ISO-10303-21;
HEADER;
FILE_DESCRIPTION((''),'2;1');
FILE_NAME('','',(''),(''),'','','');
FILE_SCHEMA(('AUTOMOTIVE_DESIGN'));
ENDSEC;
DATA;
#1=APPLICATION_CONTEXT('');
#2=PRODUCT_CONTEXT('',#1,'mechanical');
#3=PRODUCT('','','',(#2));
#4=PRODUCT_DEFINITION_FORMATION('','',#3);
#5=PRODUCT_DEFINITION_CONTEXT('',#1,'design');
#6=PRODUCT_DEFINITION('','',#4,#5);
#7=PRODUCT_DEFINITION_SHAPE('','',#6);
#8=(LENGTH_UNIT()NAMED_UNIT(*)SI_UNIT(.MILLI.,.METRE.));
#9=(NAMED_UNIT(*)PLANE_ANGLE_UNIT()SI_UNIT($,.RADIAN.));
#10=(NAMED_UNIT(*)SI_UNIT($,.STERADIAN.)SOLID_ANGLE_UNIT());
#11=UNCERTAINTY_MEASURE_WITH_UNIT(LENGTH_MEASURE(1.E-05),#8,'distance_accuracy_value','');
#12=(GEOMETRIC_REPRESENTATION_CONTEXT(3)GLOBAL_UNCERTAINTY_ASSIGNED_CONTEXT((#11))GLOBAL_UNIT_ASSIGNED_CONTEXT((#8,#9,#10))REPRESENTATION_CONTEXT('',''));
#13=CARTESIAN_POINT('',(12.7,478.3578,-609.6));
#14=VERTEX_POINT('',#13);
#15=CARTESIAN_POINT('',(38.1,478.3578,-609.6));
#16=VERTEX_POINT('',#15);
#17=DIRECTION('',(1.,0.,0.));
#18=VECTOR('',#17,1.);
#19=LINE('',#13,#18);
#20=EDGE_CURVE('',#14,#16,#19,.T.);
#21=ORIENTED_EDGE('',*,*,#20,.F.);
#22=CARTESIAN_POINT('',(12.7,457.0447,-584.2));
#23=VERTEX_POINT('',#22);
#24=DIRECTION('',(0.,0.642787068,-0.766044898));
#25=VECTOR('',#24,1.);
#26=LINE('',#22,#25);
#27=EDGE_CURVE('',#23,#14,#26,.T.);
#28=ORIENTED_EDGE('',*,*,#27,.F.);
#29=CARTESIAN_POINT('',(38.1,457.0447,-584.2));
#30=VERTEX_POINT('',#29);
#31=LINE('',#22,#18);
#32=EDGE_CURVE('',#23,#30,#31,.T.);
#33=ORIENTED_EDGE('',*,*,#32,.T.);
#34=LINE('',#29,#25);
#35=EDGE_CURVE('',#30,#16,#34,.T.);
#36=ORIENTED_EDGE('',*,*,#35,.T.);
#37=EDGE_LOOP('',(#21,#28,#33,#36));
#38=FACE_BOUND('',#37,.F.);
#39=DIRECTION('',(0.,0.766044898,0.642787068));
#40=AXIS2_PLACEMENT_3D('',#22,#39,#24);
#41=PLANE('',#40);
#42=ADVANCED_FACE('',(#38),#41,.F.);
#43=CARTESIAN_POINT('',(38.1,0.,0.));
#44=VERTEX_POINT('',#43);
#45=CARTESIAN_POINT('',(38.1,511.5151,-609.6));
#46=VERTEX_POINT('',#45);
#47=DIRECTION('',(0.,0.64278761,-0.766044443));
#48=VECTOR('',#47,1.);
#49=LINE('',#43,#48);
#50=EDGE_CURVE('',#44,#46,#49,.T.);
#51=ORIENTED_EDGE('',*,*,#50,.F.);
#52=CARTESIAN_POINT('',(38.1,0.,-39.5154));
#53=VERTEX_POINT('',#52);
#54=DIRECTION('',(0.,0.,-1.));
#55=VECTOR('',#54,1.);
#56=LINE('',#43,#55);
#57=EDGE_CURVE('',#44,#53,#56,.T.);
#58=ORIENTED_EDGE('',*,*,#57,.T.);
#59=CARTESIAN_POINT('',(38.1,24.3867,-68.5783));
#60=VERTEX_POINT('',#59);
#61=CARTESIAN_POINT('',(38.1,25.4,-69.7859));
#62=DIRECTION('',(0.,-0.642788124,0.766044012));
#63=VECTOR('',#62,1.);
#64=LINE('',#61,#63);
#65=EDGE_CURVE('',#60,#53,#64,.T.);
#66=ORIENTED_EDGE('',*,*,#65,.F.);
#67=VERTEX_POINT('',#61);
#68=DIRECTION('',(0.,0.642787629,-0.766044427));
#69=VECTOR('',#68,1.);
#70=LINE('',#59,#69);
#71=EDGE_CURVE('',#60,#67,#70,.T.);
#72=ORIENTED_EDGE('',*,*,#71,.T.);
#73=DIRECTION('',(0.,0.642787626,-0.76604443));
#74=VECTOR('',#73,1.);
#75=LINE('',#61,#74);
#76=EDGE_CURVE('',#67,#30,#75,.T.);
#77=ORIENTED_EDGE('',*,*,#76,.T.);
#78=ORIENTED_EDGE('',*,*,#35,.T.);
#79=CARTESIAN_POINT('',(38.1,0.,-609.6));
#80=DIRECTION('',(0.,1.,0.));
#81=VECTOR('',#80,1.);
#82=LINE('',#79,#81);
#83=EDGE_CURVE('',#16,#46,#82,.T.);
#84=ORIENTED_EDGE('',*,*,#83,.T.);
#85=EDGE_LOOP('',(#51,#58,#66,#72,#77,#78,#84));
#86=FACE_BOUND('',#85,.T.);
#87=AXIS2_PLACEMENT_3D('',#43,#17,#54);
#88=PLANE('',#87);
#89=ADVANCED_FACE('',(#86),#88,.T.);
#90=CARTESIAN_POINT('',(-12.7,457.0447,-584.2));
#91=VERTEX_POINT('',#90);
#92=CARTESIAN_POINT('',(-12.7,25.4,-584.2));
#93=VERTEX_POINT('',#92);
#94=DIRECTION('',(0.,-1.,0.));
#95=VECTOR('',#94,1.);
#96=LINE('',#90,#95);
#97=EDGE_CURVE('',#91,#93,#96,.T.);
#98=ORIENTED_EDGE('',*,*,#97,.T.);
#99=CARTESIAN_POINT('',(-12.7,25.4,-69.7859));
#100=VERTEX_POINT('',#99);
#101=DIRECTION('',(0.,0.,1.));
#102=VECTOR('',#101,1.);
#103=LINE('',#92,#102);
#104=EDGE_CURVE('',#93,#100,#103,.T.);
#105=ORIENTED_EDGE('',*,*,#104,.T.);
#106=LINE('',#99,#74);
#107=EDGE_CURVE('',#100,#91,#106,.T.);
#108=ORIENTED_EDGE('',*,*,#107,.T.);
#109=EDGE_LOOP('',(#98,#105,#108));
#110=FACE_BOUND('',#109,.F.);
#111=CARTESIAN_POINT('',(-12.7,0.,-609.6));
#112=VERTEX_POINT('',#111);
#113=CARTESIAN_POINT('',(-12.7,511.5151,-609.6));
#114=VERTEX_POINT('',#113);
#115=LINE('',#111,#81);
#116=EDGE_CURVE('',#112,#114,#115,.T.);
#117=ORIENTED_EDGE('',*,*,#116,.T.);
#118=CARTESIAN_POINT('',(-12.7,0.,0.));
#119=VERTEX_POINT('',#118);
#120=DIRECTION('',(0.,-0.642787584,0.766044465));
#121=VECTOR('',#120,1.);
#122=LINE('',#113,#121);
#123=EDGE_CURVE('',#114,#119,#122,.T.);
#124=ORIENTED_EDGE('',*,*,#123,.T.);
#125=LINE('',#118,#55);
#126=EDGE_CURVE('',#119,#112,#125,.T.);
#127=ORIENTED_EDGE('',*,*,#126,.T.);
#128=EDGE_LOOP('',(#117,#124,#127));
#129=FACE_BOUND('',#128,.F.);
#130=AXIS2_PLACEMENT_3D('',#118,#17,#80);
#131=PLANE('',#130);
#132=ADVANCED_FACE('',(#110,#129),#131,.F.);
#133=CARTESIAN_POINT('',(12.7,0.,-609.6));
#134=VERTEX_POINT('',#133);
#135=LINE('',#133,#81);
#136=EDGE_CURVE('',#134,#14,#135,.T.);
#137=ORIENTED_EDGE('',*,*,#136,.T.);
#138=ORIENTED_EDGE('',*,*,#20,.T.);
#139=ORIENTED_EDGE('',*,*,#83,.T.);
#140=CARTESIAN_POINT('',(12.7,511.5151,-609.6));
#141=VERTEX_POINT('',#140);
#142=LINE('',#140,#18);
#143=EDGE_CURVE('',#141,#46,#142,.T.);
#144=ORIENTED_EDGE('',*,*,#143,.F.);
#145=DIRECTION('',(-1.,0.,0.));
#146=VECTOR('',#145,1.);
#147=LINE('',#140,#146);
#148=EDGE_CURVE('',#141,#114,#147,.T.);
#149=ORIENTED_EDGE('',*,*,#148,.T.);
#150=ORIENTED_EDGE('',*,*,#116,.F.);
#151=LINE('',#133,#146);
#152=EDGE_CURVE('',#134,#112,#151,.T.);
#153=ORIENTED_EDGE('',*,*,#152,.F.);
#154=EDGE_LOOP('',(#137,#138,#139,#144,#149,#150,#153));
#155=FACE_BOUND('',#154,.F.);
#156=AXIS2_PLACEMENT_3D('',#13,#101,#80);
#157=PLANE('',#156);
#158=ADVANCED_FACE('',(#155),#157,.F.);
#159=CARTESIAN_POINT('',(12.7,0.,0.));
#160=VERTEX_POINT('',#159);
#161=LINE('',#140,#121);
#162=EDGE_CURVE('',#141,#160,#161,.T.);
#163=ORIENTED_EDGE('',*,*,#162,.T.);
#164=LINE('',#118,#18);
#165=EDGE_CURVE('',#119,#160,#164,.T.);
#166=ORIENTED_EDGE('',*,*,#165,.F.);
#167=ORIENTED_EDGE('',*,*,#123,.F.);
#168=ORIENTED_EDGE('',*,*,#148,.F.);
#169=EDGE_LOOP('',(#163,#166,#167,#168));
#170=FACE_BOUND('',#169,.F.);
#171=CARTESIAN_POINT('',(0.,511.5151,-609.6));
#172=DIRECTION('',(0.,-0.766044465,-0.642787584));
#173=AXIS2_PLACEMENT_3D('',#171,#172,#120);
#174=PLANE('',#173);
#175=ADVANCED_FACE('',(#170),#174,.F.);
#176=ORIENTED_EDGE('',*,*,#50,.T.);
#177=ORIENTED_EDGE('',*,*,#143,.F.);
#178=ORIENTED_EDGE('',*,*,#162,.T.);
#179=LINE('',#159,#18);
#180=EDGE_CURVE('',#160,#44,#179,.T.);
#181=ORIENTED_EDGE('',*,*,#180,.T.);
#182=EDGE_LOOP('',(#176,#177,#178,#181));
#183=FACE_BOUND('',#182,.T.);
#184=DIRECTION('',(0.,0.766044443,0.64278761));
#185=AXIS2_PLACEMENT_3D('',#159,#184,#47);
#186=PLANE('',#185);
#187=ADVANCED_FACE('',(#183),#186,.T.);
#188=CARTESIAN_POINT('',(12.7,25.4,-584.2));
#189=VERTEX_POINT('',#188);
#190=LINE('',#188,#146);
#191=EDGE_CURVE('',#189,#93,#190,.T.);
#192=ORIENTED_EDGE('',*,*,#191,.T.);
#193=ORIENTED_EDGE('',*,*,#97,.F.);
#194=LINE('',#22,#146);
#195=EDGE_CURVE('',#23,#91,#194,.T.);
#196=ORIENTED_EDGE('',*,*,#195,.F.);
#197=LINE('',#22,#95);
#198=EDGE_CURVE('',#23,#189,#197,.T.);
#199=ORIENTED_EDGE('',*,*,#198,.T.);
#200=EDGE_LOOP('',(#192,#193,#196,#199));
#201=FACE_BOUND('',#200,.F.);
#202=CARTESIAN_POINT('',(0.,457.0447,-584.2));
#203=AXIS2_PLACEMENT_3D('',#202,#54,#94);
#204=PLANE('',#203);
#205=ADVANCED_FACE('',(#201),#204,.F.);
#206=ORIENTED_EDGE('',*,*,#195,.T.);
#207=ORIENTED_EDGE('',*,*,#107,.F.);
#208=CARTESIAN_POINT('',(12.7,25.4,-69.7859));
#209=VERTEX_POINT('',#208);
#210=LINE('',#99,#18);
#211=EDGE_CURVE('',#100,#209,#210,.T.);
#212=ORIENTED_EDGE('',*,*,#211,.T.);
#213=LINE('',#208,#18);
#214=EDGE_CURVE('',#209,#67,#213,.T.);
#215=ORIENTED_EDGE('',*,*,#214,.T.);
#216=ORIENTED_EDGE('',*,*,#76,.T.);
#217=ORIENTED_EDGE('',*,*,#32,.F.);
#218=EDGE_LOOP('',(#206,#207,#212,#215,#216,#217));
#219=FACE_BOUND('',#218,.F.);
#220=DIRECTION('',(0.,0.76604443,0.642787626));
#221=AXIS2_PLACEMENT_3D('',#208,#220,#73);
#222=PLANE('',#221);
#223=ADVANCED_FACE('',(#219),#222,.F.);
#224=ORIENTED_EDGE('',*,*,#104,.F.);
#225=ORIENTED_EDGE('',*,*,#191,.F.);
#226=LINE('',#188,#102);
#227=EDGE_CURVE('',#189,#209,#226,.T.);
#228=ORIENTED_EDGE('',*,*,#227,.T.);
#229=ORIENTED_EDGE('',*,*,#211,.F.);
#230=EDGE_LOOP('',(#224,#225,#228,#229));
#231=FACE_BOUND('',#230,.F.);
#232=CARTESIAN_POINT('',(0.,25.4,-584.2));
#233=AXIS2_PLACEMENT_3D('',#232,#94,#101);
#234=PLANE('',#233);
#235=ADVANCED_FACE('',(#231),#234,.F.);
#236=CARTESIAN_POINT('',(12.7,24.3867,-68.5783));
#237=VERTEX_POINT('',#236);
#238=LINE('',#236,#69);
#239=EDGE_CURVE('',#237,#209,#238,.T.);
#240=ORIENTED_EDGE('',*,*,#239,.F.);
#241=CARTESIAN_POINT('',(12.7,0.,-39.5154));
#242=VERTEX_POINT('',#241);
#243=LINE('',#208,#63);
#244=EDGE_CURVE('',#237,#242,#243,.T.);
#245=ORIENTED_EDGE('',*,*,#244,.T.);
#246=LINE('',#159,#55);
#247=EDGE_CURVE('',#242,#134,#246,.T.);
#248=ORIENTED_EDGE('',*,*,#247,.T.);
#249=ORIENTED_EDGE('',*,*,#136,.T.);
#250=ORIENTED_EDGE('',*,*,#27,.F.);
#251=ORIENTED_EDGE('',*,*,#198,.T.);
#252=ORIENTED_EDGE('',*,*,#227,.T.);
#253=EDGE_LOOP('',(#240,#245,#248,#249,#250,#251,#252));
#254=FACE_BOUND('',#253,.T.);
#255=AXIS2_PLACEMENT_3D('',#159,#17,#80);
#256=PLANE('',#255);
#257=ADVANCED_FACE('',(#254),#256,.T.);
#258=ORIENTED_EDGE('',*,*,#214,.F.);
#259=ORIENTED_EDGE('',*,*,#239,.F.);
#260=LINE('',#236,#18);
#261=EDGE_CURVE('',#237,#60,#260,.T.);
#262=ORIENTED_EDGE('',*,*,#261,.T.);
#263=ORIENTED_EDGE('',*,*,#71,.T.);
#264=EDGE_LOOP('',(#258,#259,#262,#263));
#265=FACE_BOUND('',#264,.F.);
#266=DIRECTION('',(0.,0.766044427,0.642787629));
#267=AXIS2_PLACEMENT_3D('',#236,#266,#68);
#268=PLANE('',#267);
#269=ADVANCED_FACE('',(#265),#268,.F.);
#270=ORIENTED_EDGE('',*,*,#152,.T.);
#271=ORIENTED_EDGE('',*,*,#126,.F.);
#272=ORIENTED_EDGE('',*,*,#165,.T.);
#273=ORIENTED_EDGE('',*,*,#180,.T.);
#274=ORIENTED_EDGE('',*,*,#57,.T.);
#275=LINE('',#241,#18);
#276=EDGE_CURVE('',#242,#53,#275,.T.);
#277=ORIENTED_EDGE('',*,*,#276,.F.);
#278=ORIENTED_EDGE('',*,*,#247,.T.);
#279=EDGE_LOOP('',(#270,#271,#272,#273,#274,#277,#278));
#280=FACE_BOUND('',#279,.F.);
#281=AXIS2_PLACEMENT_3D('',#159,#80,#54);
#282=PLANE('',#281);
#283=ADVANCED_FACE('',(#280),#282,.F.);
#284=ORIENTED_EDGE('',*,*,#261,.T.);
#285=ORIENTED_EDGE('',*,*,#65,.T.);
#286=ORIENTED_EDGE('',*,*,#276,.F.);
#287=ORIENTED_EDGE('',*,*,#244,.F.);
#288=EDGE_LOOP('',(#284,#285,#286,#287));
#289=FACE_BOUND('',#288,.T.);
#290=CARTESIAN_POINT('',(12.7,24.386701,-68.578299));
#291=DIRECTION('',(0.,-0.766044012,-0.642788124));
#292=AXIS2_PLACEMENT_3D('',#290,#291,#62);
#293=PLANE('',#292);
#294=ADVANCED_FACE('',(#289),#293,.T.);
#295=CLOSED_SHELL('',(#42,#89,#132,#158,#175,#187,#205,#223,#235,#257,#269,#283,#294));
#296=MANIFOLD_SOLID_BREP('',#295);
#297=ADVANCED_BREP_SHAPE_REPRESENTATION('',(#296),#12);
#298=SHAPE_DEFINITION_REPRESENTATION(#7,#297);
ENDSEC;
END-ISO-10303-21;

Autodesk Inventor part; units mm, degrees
ref_plane "YZ Plane" through (0, 0, 0) normal (1, 0, 0) x (0, 1, 0)
ref_plane "XZ Plane" through (0, 0, 0) normal (0, 1, 0) x (-1, 0, 0)
sketch "Sketch1" plane through (0, 0, 0) normal (1, 0, 0) x (0, 1, 0)
  line L0 (0, 0) -> (0, -609.6)
  line L1 (0, -609.6) -> (511.5151, -609.6)
  line L2 (511.5151, -609.6) -> (0, 0)
  line L3 (25.4, -69.7859) -> (457.0447, -584.2)
  line L4 (457.0447, -584.2) -> (25.4, -584.2)
  line L5 (25.4, -584.2) -> (25.4, -69.7859)
  dimension "d0" = 609.6
  dimension "d1" = 40
  dimension "d2" = 25.4
  dimension "d3" = 25.4
  dimension "d4" = 25.4
extrude "Extrusion1" add sketch "Sketch1" along normal mid plane 25.4
sketch "Sketch2" plane through (12.7, 0, 0) normal (1, 0, 0) x (0, 0, -1)
  line L0 (0, 0) -> (609.6, 0) projected
  line L1 (0, 0) -> (610.7413, 512.4728)
  line L2 (69.7859, 25.4) -> (584.2, 457.0447) projected
  line L3 (68.5783, 24.3867) -> (584.2, 457.0447)
  line L4 (584.2, 457.0447) -> (609.6, 478.3578)
  line L5 (584.2, 25.4) -> (69.7859, 25.4) projected
  line L6 (69.7859, 25.4) -> (39.5154, 0)
  line L7 (39.5154, 0) -> (0, 0)
  line L8 (609.6, 0) -> (609.6, 511.5151) projected
  line L9 (609.6, 511.5151) -> (609.6, 478.3578)
  point P0 (609.6, 511.5151)
  point P1 (69.7859, 25.4)
extrude "Extrusion2" add sketch "Sketch2" along normal blind 25.4 contours L1 L8 L4 L2 L3 L6 L0
ref_plane "planeForCenterLineOfPowerCells" through (-12.7, 68.1014, 57.1438) normal (0, 0.766, 0.6428) x (1, 0, 0)
properties part number "ballRampLeftSideV04"
